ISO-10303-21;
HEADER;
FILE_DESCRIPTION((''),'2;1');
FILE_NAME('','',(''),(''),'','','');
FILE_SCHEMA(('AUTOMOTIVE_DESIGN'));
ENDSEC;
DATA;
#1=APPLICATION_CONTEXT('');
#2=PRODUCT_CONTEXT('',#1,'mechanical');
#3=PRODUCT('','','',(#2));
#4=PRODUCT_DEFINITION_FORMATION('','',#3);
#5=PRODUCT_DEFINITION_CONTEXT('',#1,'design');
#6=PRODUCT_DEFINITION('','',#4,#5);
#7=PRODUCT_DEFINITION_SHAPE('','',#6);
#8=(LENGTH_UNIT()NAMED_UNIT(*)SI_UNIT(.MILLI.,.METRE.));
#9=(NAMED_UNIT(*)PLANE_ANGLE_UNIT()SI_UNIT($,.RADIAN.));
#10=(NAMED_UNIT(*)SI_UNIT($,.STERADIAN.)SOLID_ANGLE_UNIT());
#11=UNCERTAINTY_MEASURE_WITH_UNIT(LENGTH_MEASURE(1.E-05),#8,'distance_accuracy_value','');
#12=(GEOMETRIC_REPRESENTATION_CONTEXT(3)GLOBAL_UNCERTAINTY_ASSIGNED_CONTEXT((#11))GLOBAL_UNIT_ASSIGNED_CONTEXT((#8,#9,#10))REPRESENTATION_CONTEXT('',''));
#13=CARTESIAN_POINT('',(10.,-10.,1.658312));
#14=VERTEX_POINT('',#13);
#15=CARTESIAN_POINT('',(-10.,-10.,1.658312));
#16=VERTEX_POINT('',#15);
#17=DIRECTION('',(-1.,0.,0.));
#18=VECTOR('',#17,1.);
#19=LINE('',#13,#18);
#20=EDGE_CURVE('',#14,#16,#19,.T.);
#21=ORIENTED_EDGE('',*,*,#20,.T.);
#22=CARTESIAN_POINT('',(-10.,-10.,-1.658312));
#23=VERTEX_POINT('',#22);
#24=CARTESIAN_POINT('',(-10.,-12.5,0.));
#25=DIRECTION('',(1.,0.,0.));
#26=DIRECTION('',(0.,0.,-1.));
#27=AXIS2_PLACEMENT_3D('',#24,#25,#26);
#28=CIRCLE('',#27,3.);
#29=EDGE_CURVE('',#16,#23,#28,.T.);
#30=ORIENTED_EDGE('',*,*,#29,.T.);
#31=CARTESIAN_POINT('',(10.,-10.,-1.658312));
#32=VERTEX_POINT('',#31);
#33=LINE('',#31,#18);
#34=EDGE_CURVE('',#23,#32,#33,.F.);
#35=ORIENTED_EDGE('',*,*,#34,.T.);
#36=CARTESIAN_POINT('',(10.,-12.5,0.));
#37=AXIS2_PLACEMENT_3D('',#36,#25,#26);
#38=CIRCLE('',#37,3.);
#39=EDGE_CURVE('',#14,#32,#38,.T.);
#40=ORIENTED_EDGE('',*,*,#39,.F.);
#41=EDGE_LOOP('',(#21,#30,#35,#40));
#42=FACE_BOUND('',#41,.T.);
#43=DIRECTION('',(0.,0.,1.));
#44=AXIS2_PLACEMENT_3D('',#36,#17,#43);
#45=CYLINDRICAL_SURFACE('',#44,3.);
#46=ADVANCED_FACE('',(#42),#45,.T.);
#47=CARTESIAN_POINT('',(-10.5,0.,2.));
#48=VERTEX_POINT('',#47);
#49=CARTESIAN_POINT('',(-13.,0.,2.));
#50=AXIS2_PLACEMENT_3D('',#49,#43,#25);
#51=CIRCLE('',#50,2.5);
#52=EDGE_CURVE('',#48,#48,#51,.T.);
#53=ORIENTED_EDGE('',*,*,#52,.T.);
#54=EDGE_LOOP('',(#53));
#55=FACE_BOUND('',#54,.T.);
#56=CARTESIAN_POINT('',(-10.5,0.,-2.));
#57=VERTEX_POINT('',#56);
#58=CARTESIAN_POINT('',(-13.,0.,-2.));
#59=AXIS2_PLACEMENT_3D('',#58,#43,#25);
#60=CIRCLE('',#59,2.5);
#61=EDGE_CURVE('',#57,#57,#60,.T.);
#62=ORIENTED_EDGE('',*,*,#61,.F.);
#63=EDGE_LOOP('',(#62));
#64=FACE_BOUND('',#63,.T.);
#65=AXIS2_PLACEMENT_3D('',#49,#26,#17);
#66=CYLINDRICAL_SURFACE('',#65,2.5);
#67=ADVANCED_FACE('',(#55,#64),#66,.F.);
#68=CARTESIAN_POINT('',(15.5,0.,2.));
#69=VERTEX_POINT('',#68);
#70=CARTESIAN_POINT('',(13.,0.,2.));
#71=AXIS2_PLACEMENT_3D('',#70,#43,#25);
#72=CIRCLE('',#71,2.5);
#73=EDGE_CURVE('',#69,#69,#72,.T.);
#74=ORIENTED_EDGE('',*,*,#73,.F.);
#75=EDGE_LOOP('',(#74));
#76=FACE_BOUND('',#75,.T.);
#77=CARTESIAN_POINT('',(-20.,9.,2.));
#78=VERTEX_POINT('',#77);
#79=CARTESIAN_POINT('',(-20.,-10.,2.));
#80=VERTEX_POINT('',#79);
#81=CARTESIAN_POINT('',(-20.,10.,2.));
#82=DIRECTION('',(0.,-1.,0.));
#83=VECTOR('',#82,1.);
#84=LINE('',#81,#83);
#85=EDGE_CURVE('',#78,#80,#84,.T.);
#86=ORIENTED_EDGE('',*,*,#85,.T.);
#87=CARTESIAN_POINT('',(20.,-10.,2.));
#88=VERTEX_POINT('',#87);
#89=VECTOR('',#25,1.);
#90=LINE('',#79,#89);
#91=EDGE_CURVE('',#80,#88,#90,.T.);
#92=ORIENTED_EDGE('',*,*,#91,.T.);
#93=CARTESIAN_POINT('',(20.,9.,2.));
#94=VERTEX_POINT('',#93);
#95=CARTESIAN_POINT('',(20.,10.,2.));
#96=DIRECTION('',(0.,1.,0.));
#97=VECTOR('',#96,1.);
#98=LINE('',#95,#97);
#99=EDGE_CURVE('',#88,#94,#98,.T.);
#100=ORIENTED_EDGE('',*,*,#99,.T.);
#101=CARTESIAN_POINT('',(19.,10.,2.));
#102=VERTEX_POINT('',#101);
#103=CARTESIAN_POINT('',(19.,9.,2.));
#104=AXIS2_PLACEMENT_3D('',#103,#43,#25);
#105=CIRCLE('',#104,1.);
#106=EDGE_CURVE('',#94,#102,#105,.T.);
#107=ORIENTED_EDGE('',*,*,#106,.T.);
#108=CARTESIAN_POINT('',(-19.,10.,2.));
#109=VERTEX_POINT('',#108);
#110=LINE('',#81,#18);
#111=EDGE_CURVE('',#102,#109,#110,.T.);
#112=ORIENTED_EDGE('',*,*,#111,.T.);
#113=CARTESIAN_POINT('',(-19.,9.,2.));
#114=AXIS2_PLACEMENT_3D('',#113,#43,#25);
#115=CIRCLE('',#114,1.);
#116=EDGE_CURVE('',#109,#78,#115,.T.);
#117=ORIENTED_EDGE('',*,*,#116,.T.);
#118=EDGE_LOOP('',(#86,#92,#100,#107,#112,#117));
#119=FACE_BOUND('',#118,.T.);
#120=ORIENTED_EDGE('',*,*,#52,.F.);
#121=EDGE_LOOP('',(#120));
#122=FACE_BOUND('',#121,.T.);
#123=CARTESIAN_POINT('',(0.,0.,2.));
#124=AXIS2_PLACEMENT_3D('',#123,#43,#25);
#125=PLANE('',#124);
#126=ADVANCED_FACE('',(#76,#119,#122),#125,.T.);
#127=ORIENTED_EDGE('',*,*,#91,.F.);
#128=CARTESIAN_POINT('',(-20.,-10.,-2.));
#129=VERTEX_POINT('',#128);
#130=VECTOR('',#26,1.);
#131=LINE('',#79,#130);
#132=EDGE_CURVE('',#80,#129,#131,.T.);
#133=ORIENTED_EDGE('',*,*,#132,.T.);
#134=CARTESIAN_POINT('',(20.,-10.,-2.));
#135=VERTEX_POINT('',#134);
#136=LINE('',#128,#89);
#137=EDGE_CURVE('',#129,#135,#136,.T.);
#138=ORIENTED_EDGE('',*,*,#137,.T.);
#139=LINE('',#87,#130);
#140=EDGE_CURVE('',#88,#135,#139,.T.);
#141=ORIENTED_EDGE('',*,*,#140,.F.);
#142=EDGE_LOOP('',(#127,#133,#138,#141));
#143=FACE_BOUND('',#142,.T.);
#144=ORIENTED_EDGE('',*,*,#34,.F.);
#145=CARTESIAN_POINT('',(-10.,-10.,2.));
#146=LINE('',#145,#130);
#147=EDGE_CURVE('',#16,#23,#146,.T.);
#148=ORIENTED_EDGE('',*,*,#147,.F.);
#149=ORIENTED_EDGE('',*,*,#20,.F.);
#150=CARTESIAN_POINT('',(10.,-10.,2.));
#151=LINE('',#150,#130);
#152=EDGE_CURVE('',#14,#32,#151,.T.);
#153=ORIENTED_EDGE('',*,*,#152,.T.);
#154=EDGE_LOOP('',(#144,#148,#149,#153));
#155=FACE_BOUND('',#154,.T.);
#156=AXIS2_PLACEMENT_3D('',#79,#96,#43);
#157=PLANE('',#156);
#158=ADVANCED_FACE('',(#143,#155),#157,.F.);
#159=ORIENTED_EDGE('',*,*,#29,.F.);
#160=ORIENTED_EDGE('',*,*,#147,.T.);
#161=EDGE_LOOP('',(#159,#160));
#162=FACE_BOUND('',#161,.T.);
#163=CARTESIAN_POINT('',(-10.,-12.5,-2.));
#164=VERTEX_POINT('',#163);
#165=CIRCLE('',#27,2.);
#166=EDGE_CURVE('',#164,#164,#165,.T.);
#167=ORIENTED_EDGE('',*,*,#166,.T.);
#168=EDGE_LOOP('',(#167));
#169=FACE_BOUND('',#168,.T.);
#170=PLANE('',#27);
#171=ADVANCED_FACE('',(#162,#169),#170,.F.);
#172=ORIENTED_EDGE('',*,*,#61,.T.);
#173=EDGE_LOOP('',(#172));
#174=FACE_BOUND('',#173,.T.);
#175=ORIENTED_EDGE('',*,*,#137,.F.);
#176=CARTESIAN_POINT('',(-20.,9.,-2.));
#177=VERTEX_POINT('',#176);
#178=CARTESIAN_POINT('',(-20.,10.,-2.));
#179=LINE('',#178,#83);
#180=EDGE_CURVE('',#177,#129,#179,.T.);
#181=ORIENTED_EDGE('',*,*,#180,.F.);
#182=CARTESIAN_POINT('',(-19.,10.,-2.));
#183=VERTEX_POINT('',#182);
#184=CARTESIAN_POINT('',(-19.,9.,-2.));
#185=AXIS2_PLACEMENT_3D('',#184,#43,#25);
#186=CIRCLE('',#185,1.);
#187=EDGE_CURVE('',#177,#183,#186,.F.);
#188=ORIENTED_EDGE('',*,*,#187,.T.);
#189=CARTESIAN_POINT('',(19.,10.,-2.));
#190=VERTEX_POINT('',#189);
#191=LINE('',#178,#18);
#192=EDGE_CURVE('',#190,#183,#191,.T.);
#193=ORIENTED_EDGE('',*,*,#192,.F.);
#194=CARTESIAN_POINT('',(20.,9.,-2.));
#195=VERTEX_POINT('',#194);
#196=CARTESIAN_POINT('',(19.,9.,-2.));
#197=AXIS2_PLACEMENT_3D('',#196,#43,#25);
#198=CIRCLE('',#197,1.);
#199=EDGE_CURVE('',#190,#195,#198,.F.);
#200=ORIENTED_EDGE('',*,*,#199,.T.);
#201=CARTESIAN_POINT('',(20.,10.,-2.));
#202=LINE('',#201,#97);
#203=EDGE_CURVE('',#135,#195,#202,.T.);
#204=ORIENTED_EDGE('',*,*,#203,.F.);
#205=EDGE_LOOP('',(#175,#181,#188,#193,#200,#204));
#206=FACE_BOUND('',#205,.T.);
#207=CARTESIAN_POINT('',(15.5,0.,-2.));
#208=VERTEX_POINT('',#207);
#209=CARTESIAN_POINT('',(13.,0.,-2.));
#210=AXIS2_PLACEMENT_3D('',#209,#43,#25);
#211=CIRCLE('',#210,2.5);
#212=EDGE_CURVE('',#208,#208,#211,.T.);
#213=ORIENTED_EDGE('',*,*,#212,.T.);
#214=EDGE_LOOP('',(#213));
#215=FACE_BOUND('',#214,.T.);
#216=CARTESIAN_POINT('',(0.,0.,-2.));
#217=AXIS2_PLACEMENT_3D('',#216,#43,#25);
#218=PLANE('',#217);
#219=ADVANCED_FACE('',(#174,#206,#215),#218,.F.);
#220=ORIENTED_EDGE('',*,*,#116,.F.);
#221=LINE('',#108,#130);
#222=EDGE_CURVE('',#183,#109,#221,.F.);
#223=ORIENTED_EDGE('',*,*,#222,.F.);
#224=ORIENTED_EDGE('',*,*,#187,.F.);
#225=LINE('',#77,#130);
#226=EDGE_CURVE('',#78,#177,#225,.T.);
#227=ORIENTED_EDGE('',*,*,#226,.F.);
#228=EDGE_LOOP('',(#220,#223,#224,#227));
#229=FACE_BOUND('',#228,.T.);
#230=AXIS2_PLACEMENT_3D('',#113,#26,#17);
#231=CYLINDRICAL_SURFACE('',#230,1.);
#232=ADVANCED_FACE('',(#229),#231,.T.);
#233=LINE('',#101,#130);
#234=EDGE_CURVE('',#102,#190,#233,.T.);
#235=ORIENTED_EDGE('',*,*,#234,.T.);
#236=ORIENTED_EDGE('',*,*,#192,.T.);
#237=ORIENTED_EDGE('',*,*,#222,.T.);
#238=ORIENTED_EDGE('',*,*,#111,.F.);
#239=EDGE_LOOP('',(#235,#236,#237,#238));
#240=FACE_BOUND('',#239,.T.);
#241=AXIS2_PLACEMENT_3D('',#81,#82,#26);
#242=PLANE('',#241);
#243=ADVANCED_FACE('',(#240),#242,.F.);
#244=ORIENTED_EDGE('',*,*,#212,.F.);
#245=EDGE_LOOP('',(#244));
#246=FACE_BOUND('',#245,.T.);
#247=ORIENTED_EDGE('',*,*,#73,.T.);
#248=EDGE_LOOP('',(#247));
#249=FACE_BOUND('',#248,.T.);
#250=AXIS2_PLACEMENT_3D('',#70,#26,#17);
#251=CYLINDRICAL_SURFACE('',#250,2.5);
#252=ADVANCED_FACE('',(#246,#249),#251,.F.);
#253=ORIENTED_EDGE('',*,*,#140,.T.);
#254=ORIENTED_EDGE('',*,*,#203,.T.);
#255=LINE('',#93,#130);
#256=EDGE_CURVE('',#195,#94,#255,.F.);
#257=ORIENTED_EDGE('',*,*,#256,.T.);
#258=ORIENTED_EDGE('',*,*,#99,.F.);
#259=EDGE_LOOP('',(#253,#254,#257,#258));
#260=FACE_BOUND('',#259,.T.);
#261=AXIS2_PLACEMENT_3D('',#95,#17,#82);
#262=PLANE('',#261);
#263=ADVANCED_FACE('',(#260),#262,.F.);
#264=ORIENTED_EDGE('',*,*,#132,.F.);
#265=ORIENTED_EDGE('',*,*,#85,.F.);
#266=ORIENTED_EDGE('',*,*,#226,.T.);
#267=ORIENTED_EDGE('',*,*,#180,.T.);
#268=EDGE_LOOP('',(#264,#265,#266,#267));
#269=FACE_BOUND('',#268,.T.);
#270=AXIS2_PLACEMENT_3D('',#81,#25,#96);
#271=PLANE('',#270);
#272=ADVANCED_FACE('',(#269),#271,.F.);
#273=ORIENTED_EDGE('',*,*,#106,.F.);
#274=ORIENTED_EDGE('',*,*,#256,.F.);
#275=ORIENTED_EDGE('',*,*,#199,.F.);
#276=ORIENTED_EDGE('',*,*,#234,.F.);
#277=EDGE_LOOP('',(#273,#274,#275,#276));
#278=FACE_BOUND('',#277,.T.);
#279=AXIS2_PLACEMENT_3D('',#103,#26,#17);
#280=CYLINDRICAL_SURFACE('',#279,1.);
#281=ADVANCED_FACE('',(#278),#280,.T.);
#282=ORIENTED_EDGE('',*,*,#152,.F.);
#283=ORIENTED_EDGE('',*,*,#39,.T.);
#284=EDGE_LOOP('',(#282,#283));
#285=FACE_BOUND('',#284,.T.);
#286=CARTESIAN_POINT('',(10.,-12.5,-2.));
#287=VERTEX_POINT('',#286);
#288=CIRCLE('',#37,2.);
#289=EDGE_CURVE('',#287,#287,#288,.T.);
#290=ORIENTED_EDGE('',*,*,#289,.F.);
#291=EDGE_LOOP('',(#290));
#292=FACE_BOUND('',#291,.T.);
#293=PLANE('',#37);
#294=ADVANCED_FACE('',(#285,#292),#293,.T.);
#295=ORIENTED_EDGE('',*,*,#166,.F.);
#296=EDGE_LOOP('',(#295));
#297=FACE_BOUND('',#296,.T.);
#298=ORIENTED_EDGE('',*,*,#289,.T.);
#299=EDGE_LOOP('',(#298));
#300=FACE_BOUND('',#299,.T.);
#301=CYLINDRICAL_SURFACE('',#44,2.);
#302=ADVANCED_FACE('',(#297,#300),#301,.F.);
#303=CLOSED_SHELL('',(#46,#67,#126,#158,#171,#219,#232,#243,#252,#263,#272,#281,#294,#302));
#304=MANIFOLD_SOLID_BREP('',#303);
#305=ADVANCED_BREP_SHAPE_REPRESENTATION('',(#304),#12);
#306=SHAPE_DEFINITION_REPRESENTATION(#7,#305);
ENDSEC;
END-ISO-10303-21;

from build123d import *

# Parameters (mm, degrees)
SKETCH2_W           = 40
SKETCH2_H           = 20
SKETCH2_R           = 2.5
BOSS_EXTRUDE2_DEPTH = 2
SKETCH5_R           = 3
SKETCH5_R_2         = 2
BOSS_EXTRUDE3_DEPTH = 10
FILLET1_R           = 1


with BuildPart() as part:
    # Sketch2 → Boss-Extrude2 (new body, symmetric)
    with BuildSketch(Plane.XY):
        Rectangle(SKETCH2_W, SKETCH2_H)
        with Locations((-13, 0)):
            Circle(SKETCH2_R, mode=Mode.SUBTRACT)
        with Locations((13, 0)):
            Circle(SKETCH2_R, mode=Mode.SUBTRACT)
    extrude(amount=BOSS_EXTRUDE2_DEPTH, both=True)

    # Sketch5 → Boss-Extrude3 (add, symmetric)
    with BuildSketch(Plane(origin=(0, 0, 0), x_dir=(0, 0, -1), z_dir=(1, 0, 0))):
        with Locations((0, -12.5)):
            Circle(SKETCH5_R)
        with Locations((0, -12.5)):
            Circle(SKETCH5_R_2, mode=Mode.SUBTRACT)
    extrude(amount=BOSS_EXTRUDE3_DEPTH, both=True)

    # Fillet1
    fillet1_edges = [part.edges().sort_by_distance(p)[0] for p in [
        (-20, 10, 0),
        (20, 10, 0),
    ]]
    fillet(fillet1_edges, radius=FILLET1_R)


solid = part.part
